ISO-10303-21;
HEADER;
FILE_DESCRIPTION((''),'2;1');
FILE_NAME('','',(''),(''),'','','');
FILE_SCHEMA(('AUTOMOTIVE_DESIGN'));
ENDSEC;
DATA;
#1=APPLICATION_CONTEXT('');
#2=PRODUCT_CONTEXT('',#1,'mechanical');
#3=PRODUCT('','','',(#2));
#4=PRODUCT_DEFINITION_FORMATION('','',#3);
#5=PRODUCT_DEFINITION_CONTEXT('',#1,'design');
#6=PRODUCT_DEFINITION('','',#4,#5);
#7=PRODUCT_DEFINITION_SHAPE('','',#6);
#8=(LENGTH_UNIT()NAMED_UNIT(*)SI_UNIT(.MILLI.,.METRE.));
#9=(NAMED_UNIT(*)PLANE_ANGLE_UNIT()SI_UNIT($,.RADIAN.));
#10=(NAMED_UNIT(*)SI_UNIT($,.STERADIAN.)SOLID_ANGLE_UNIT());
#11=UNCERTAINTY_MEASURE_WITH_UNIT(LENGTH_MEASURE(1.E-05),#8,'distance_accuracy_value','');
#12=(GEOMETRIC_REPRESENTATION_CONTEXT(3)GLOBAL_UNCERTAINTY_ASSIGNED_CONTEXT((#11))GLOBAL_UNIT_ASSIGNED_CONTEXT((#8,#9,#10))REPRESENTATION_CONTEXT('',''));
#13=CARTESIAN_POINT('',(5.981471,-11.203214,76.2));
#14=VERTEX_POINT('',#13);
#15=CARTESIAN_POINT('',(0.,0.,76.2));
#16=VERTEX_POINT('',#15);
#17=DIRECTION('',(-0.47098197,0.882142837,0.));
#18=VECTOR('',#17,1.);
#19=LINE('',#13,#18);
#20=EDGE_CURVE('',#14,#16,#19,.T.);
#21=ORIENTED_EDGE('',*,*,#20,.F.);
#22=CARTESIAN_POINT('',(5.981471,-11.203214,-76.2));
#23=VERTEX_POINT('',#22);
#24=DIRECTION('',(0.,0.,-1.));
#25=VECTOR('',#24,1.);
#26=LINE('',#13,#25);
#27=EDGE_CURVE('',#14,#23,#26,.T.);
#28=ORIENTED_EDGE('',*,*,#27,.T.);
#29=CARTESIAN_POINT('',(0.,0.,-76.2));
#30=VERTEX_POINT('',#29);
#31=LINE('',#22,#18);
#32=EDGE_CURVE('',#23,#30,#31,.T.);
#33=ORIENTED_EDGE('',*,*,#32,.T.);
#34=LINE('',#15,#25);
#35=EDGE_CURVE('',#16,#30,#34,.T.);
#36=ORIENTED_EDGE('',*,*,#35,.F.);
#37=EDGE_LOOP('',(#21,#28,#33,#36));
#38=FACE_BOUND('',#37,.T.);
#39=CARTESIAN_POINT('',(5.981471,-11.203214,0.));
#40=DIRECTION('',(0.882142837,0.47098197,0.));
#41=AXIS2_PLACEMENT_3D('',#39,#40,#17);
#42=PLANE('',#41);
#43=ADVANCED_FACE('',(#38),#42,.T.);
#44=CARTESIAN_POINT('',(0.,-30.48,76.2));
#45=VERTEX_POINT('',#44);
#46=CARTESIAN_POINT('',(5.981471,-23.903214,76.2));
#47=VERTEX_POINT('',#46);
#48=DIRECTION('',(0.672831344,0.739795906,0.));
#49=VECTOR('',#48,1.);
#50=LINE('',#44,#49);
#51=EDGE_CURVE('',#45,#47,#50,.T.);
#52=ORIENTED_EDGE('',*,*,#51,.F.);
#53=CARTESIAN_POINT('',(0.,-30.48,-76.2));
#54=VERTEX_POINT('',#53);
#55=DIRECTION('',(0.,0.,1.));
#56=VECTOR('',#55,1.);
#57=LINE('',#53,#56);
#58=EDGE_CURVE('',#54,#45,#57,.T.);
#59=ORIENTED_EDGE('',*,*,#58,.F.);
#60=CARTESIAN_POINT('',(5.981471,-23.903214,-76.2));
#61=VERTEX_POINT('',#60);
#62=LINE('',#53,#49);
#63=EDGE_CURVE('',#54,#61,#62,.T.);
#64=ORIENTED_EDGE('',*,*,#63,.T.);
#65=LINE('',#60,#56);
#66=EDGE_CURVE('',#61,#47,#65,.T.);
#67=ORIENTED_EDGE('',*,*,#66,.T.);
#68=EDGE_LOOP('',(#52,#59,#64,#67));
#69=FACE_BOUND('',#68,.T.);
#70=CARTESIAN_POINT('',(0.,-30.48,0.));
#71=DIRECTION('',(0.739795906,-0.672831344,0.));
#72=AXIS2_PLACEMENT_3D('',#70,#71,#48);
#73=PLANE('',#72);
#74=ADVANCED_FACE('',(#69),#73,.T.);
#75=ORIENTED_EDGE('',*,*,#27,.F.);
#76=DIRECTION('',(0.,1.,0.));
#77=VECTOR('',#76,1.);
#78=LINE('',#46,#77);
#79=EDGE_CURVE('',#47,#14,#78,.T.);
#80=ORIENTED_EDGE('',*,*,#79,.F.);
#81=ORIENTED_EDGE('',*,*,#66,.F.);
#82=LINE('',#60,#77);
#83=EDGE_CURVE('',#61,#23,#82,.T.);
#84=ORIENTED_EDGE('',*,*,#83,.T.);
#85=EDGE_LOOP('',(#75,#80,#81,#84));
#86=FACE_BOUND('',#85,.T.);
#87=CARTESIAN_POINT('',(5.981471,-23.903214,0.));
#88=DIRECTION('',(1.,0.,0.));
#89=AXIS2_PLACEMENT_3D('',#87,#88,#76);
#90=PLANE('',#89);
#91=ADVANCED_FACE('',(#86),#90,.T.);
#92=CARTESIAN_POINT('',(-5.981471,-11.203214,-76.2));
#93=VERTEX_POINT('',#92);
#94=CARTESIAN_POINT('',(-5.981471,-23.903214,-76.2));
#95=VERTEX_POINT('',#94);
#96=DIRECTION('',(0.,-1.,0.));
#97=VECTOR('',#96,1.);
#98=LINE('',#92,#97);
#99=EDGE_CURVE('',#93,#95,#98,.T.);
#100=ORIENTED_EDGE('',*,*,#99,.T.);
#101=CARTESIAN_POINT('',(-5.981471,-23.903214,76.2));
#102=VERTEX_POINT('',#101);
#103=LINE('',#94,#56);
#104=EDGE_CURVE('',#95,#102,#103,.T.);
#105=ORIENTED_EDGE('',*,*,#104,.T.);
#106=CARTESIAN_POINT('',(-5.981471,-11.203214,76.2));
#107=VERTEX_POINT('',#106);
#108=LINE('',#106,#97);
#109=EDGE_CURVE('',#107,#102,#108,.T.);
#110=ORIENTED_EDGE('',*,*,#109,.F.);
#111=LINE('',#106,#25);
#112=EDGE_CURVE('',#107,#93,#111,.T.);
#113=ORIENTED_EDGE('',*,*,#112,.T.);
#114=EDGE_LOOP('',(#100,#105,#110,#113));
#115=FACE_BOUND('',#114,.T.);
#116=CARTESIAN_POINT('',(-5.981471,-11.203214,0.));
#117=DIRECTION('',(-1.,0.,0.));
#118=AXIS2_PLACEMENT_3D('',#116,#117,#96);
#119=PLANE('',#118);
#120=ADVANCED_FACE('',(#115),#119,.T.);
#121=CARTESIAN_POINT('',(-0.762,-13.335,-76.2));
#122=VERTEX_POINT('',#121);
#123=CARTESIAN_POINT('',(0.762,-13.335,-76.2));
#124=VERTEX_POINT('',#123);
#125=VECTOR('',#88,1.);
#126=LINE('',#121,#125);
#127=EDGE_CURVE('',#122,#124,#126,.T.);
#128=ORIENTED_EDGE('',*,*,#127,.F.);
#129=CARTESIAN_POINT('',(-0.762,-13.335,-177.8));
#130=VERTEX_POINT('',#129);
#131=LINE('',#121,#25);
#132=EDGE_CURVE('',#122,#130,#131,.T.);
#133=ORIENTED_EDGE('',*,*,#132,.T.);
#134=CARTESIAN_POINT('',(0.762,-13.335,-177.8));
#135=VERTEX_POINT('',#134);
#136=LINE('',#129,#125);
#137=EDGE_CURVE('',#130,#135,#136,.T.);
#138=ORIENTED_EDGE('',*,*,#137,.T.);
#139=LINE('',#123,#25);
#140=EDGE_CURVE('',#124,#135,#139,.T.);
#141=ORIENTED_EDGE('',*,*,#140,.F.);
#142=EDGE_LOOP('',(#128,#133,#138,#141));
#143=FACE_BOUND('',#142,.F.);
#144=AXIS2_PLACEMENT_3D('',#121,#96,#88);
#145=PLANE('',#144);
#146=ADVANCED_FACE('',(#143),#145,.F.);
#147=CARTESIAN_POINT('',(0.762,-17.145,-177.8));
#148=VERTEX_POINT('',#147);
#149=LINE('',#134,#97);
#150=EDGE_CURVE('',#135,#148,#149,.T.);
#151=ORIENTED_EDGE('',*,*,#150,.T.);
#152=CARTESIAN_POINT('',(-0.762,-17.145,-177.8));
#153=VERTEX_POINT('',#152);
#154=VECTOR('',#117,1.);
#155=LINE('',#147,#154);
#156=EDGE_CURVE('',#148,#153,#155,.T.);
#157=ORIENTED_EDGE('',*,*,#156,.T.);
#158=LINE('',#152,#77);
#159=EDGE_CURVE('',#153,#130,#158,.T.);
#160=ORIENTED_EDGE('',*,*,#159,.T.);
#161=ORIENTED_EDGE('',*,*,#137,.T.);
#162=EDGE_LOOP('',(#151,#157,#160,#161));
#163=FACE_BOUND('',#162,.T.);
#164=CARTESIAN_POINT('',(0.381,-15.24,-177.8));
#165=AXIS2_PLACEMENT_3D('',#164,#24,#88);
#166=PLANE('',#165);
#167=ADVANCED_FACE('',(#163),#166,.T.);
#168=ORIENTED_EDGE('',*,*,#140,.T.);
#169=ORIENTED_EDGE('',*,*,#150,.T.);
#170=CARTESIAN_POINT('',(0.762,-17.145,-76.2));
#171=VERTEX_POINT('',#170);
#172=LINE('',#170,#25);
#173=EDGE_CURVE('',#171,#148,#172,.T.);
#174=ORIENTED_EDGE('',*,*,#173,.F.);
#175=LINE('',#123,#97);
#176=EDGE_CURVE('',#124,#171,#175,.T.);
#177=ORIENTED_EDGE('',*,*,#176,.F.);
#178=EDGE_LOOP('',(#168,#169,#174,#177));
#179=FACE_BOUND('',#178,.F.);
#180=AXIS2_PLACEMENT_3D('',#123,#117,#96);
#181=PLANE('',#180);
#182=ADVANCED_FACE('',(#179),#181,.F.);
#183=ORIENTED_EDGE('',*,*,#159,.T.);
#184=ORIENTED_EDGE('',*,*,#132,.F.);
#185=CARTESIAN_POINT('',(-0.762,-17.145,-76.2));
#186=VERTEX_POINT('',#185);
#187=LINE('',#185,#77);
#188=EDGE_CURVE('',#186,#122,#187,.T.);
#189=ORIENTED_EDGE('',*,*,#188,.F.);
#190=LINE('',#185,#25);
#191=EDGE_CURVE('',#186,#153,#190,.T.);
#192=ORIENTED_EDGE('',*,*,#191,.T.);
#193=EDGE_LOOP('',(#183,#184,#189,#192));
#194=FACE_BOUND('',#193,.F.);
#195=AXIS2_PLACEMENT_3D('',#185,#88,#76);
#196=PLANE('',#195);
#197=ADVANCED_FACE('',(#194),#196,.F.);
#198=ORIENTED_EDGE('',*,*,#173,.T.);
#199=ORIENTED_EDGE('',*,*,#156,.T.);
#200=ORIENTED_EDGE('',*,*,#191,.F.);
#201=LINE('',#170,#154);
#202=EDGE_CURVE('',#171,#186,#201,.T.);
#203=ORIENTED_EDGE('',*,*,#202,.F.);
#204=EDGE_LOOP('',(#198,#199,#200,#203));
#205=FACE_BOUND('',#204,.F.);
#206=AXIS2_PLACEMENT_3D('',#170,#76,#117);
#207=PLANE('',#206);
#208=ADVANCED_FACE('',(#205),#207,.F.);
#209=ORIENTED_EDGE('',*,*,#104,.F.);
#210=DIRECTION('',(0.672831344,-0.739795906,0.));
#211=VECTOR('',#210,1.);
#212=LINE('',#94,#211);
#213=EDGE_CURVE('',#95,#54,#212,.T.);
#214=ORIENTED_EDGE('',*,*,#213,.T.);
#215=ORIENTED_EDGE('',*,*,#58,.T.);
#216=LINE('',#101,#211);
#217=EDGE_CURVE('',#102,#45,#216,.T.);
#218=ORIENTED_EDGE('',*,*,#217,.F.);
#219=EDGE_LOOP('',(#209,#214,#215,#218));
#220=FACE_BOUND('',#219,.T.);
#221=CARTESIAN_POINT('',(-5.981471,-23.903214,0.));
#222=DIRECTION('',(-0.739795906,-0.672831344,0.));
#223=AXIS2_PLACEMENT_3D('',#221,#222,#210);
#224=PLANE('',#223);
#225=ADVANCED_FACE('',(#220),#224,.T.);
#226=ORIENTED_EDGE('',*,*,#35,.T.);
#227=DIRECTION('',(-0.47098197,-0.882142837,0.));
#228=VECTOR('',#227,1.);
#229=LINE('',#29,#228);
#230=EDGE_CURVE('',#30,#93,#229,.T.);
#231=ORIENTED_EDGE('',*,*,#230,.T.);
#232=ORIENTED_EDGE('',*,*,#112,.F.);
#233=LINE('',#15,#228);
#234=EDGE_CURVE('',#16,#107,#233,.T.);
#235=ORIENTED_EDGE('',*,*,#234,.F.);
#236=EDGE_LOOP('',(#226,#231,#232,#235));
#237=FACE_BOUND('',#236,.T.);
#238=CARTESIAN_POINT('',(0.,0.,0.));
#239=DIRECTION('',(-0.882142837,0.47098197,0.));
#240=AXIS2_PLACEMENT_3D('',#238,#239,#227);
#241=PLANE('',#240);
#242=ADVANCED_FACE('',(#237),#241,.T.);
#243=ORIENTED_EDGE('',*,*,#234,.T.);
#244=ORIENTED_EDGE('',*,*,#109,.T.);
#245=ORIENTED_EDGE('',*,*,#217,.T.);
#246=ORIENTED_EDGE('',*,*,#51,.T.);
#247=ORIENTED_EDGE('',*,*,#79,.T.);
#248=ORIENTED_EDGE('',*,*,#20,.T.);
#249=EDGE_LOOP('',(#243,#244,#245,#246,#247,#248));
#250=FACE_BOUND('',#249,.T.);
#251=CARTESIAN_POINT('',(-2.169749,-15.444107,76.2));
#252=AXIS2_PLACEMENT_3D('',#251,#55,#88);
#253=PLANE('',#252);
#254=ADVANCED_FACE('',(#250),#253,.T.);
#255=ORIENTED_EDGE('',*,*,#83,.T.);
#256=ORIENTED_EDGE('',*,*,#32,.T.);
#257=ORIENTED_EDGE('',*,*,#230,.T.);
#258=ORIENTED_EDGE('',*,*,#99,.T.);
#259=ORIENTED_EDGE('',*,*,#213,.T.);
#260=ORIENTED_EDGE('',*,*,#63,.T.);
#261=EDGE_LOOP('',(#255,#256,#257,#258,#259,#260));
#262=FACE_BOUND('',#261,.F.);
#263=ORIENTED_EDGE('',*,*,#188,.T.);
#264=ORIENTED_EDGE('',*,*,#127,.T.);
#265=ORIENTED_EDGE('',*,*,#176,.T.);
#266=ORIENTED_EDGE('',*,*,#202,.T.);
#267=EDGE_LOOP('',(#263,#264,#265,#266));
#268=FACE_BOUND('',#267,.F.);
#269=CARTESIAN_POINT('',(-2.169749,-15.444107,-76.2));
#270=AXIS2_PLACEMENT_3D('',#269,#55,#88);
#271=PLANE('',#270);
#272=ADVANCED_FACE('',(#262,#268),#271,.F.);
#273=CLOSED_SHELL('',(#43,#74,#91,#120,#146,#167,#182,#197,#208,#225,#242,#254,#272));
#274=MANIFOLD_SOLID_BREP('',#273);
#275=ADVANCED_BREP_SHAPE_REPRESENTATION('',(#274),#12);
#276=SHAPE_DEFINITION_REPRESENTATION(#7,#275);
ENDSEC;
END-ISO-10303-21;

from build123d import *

# Parameters (mm, degrees)
F1_DEPTH = 76.2
F2_W     = 0.762
F2_H     = 1.905
F3_DEPTH = 101.6


with BuildPart() as f1:
    # F0 (on Top) → F1 (new body, symmetric)
    with BuildSketch(Plane.XY):
        Polygon((-5.981471, -11.203214), (-5.981471, -23.903214), (0, -30.48), (0, 0), align=None)
        Polygon((0, 0), (0, -30.48), (5.981471, -23.903214), (5.981471, -11.203214), align=None)
    extrude(amount=F1_DEPTH, both=True)

    # F2 (on face) → F3 (join)
    with BuildSketch(Plane(origin=(0, 0, -76.2), x_dir=(1, 0, 0), z_dir=(0, 0, -1))):
        Polygon((0.762, 17.145), (0, 17.145), (0, 15.24), (0, 13.335), (0.762, 13.335), (0.762, 15.24), align=None)
        with Locations((-0.381, 16.1925)):
            Rectangle(F2_W, F2_H)
        with Locations((-0.381, 14.2875)):
            Rectangle(F2_W, F2_H)
    extrude(amount=F3_DEPTH)


solid = f1.part
